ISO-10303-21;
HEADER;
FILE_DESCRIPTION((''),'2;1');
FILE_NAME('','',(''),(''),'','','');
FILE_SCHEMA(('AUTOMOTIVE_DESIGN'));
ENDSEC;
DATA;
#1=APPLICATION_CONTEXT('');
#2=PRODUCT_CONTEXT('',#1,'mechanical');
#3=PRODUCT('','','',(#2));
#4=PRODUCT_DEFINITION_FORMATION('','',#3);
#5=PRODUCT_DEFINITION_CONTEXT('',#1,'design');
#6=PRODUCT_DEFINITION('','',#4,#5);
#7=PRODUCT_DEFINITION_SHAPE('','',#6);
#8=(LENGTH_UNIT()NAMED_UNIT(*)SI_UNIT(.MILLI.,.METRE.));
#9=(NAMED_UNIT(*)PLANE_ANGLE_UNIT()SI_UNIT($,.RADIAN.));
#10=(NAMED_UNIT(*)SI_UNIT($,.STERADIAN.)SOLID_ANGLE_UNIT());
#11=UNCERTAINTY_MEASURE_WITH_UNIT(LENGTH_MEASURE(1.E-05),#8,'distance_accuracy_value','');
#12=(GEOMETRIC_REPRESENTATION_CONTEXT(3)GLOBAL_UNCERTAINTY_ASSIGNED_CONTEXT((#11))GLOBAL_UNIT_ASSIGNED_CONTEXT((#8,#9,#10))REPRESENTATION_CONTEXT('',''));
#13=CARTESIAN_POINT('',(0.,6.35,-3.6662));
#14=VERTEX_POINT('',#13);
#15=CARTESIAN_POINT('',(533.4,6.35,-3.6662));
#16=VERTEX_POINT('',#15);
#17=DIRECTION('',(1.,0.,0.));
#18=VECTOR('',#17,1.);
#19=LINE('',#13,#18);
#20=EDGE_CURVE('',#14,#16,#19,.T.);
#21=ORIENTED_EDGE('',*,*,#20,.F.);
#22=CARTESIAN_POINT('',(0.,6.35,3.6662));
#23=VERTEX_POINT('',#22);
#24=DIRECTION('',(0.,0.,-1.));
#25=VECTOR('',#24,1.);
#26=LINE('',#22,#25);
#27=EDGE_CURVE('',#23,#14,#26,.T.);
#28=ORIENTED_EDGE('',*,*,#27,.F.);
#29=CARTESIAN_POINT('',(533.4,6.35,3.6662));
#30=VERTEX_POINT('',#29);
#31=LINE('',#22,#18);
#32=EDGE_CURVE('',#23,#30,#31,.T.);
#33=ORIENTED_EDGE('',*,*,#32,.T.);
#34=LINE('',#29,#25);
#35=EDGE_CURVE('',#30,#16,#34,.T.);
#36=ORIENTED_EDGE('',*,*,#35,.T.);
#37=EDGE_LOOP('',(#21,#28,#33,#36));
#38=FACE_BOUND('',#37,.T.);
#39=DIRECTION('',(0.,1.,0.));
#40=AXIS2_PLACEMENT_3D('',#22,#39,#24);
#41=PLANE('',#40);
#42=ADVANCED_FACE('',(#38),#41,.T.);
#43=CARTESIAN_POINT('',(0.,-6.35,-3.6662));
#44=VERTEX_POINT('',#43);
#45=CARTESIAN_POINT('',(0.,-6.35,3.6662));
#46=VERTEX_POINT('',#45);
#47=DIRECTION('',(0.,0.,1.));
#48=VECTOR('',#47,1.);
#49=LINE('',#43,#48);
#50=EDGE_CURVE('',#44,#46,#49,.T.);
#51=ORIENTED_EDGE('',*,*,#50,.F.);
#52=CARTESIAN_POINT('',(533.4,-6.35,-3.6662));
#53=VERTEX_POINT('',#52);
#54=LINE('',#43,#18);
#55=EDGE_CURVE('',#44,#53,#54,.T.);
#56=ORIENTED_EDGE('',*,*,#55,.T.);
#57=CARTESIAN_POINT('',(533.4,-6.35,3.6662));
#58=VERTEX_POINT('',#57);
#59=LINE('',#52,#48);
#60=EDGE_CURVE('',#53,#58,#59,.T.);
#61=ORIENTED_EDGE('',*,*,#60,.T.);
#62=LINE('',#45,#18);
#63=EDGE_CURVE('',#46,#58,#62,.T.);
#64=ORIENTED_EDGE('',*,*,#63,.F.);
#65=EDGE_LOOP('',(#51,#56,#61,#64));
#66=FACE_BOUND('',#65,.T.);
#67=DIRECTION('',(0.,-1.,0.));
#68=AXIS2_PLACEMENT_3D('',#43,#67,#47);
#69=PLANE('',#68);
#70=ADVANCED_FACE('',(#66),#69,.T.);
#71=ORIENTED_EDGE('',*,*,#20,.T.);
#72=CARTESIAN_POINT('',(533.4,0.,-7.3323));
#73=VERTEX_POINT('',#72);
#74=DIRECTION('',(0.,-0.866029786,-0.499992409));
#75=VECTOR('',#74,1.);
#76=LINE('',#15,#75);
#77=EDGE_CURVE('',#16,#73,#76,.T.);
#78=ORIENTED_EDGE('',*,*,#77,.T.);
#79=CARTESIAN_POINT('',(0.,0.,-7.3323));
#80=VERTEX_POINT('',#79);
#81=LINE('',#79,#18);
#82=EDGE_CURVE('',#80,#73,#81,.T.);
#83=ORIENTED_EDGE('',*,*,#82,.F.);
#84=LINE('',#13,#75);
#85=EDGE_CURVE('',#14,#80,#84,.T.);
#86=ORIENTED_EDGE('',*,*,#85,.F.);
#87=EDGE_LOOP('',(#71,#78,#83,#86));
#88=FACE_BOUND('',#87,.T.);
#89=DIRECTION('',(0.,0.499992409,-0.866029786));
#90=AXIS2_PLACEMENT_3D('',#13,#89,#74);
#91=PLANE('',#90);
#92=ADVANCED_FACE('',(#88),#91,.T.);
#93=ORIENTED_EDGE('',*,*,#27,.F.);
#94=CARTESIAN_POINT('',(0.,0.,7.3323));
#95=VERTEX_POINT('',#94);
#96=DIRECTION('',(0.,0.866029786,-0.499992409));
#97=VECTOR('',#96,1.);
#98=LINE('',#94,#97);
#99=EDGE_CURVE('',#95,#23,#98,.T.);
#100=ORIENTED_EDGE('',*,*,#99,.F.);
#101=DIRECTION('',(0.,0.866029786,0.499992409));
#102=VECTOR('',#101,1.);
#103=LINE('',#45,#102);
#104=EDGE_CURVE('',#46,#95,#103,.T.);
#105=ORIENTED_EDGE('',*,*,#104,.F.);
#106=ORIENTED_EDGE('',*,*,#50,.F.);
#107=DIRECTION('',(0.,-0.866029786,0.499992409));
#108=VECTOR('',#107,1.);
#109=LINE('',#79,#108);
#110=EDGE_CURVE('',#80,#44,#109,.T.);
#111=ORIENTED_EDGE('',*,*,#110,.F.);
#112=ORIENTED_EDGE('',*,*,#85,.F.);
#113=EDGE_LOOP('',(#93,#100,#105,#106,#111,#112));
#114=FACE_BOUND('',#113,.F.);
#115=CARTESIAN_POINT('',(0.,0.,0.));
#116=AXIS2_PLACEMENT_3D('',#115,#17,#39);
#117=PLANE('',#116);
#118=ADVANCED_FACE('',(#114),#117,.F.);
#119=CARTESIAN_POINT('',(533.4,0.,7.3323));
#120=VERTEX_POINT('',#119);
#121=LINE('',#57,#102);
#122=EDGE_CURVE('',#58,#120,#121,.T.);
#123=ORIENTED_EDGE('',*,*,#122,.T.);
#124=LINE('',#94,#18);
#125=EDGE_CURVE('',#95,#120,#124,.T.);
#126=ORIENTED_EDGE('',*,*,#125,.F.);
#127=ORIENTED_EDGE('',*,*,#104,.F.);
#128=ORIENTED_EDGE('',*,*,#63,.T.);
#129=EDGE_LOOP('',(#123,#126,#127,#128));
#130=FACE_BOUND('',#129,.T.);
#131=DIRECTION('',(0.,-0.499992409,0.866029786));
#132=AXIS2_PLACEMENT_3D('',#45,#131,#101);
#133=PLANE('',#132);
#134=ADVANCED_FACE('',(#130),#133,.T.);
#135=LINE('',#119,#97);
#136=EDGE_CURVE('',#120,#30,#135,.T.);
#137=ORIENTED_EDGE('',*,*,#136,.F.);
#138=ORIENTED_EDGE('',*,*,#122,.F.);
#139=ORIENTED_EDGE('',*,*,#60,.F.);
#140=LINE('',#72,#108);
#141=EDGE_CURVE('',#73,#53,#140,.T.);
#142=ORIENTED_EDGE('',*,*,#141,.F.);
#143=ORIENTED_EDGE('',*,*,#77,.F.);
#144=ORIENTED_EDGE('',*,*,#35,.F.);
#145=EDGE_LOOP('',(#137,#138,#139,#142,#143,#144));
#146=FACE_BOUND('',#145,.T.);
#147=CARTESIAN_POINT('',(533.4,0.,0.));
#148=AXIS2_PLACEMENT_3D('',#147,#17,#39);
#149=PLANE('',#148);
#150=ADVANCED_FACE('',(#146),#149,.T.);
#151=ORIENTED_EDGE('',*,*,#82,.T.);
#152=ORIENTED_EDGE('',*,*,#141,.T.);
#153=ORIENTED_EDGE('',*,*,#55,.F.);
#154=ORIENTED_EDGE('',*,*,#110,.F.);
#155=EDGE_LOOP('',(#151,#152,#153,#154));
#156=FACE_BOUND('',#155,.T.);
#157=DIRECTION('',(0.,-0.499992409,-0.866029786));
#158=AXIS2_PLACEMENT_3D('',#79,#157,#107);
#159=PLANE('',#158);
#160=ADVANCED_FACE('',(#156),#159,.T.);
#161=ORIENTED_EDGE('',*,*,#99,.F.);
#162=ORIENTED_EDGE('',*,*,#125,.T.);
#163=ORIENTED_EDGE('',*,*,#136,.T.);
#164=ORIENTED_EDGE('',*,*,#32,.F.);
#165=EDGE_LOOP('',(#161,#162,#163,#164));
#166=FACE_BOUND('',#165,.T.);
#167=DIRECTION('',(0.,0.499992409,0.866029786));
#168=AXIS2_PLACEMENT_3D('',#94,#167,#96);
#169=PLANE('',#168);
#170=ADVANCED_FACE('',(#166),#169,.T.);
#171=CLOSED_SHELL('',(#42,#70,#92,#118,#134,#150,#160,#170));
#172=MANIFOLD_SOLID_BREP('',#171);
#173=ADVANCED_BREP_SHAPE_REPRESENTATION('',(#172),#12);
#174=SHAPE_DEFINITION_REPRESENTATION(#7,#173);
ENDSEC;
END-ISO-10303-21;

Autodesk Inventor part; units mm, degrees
ref_plane "YZ Plane" through (0, 0, 0) normal (1, 0, 0) x (0, 1, 0)
ref_plane "XZ Plane" through (0, 0, 0) normal (0, 1, 0) x (-1, 0, 0)
ref_plane "XY Plane" through (0, 0, 0) normal (0, 0, 1) x (1, 0, 0)
sketch "Sketch1" plane through (0, 0, 0) normal (1, 0, 0) x (0, 1, 0)
  line L0 (6.35, 3.6662) -> (6.35, -3.6662)
  line L1 (6.35, -3.6662) -> (0, -7.3323)
  line L2 (0, -7.3323) -> (-6.35, -3.6662)
  line L3 (-6.35, -3.6662) -> (-6.35, 3.6662)
  line L4 (-6.35, 3.6662) -> (0, 7.3323)
  line L5 (0, 7.3323) -> (6.35, 3.6662)
  point P0 (0, 0)
  dimension "d0" = 12.7
  dimension "d1" = 12.7
  dimension "d2" = 12.7
  dimension "d3" = 6.35
  dimension "d4" = 120
  dimension "d5" = 120
  dimension "d6" = 6.35
  dimension "d7" = 6.35
extrude "Extrusion1" add sketch "Sketch1" along normal blind 533.4
properties part number "0.5 hex shaft long"
